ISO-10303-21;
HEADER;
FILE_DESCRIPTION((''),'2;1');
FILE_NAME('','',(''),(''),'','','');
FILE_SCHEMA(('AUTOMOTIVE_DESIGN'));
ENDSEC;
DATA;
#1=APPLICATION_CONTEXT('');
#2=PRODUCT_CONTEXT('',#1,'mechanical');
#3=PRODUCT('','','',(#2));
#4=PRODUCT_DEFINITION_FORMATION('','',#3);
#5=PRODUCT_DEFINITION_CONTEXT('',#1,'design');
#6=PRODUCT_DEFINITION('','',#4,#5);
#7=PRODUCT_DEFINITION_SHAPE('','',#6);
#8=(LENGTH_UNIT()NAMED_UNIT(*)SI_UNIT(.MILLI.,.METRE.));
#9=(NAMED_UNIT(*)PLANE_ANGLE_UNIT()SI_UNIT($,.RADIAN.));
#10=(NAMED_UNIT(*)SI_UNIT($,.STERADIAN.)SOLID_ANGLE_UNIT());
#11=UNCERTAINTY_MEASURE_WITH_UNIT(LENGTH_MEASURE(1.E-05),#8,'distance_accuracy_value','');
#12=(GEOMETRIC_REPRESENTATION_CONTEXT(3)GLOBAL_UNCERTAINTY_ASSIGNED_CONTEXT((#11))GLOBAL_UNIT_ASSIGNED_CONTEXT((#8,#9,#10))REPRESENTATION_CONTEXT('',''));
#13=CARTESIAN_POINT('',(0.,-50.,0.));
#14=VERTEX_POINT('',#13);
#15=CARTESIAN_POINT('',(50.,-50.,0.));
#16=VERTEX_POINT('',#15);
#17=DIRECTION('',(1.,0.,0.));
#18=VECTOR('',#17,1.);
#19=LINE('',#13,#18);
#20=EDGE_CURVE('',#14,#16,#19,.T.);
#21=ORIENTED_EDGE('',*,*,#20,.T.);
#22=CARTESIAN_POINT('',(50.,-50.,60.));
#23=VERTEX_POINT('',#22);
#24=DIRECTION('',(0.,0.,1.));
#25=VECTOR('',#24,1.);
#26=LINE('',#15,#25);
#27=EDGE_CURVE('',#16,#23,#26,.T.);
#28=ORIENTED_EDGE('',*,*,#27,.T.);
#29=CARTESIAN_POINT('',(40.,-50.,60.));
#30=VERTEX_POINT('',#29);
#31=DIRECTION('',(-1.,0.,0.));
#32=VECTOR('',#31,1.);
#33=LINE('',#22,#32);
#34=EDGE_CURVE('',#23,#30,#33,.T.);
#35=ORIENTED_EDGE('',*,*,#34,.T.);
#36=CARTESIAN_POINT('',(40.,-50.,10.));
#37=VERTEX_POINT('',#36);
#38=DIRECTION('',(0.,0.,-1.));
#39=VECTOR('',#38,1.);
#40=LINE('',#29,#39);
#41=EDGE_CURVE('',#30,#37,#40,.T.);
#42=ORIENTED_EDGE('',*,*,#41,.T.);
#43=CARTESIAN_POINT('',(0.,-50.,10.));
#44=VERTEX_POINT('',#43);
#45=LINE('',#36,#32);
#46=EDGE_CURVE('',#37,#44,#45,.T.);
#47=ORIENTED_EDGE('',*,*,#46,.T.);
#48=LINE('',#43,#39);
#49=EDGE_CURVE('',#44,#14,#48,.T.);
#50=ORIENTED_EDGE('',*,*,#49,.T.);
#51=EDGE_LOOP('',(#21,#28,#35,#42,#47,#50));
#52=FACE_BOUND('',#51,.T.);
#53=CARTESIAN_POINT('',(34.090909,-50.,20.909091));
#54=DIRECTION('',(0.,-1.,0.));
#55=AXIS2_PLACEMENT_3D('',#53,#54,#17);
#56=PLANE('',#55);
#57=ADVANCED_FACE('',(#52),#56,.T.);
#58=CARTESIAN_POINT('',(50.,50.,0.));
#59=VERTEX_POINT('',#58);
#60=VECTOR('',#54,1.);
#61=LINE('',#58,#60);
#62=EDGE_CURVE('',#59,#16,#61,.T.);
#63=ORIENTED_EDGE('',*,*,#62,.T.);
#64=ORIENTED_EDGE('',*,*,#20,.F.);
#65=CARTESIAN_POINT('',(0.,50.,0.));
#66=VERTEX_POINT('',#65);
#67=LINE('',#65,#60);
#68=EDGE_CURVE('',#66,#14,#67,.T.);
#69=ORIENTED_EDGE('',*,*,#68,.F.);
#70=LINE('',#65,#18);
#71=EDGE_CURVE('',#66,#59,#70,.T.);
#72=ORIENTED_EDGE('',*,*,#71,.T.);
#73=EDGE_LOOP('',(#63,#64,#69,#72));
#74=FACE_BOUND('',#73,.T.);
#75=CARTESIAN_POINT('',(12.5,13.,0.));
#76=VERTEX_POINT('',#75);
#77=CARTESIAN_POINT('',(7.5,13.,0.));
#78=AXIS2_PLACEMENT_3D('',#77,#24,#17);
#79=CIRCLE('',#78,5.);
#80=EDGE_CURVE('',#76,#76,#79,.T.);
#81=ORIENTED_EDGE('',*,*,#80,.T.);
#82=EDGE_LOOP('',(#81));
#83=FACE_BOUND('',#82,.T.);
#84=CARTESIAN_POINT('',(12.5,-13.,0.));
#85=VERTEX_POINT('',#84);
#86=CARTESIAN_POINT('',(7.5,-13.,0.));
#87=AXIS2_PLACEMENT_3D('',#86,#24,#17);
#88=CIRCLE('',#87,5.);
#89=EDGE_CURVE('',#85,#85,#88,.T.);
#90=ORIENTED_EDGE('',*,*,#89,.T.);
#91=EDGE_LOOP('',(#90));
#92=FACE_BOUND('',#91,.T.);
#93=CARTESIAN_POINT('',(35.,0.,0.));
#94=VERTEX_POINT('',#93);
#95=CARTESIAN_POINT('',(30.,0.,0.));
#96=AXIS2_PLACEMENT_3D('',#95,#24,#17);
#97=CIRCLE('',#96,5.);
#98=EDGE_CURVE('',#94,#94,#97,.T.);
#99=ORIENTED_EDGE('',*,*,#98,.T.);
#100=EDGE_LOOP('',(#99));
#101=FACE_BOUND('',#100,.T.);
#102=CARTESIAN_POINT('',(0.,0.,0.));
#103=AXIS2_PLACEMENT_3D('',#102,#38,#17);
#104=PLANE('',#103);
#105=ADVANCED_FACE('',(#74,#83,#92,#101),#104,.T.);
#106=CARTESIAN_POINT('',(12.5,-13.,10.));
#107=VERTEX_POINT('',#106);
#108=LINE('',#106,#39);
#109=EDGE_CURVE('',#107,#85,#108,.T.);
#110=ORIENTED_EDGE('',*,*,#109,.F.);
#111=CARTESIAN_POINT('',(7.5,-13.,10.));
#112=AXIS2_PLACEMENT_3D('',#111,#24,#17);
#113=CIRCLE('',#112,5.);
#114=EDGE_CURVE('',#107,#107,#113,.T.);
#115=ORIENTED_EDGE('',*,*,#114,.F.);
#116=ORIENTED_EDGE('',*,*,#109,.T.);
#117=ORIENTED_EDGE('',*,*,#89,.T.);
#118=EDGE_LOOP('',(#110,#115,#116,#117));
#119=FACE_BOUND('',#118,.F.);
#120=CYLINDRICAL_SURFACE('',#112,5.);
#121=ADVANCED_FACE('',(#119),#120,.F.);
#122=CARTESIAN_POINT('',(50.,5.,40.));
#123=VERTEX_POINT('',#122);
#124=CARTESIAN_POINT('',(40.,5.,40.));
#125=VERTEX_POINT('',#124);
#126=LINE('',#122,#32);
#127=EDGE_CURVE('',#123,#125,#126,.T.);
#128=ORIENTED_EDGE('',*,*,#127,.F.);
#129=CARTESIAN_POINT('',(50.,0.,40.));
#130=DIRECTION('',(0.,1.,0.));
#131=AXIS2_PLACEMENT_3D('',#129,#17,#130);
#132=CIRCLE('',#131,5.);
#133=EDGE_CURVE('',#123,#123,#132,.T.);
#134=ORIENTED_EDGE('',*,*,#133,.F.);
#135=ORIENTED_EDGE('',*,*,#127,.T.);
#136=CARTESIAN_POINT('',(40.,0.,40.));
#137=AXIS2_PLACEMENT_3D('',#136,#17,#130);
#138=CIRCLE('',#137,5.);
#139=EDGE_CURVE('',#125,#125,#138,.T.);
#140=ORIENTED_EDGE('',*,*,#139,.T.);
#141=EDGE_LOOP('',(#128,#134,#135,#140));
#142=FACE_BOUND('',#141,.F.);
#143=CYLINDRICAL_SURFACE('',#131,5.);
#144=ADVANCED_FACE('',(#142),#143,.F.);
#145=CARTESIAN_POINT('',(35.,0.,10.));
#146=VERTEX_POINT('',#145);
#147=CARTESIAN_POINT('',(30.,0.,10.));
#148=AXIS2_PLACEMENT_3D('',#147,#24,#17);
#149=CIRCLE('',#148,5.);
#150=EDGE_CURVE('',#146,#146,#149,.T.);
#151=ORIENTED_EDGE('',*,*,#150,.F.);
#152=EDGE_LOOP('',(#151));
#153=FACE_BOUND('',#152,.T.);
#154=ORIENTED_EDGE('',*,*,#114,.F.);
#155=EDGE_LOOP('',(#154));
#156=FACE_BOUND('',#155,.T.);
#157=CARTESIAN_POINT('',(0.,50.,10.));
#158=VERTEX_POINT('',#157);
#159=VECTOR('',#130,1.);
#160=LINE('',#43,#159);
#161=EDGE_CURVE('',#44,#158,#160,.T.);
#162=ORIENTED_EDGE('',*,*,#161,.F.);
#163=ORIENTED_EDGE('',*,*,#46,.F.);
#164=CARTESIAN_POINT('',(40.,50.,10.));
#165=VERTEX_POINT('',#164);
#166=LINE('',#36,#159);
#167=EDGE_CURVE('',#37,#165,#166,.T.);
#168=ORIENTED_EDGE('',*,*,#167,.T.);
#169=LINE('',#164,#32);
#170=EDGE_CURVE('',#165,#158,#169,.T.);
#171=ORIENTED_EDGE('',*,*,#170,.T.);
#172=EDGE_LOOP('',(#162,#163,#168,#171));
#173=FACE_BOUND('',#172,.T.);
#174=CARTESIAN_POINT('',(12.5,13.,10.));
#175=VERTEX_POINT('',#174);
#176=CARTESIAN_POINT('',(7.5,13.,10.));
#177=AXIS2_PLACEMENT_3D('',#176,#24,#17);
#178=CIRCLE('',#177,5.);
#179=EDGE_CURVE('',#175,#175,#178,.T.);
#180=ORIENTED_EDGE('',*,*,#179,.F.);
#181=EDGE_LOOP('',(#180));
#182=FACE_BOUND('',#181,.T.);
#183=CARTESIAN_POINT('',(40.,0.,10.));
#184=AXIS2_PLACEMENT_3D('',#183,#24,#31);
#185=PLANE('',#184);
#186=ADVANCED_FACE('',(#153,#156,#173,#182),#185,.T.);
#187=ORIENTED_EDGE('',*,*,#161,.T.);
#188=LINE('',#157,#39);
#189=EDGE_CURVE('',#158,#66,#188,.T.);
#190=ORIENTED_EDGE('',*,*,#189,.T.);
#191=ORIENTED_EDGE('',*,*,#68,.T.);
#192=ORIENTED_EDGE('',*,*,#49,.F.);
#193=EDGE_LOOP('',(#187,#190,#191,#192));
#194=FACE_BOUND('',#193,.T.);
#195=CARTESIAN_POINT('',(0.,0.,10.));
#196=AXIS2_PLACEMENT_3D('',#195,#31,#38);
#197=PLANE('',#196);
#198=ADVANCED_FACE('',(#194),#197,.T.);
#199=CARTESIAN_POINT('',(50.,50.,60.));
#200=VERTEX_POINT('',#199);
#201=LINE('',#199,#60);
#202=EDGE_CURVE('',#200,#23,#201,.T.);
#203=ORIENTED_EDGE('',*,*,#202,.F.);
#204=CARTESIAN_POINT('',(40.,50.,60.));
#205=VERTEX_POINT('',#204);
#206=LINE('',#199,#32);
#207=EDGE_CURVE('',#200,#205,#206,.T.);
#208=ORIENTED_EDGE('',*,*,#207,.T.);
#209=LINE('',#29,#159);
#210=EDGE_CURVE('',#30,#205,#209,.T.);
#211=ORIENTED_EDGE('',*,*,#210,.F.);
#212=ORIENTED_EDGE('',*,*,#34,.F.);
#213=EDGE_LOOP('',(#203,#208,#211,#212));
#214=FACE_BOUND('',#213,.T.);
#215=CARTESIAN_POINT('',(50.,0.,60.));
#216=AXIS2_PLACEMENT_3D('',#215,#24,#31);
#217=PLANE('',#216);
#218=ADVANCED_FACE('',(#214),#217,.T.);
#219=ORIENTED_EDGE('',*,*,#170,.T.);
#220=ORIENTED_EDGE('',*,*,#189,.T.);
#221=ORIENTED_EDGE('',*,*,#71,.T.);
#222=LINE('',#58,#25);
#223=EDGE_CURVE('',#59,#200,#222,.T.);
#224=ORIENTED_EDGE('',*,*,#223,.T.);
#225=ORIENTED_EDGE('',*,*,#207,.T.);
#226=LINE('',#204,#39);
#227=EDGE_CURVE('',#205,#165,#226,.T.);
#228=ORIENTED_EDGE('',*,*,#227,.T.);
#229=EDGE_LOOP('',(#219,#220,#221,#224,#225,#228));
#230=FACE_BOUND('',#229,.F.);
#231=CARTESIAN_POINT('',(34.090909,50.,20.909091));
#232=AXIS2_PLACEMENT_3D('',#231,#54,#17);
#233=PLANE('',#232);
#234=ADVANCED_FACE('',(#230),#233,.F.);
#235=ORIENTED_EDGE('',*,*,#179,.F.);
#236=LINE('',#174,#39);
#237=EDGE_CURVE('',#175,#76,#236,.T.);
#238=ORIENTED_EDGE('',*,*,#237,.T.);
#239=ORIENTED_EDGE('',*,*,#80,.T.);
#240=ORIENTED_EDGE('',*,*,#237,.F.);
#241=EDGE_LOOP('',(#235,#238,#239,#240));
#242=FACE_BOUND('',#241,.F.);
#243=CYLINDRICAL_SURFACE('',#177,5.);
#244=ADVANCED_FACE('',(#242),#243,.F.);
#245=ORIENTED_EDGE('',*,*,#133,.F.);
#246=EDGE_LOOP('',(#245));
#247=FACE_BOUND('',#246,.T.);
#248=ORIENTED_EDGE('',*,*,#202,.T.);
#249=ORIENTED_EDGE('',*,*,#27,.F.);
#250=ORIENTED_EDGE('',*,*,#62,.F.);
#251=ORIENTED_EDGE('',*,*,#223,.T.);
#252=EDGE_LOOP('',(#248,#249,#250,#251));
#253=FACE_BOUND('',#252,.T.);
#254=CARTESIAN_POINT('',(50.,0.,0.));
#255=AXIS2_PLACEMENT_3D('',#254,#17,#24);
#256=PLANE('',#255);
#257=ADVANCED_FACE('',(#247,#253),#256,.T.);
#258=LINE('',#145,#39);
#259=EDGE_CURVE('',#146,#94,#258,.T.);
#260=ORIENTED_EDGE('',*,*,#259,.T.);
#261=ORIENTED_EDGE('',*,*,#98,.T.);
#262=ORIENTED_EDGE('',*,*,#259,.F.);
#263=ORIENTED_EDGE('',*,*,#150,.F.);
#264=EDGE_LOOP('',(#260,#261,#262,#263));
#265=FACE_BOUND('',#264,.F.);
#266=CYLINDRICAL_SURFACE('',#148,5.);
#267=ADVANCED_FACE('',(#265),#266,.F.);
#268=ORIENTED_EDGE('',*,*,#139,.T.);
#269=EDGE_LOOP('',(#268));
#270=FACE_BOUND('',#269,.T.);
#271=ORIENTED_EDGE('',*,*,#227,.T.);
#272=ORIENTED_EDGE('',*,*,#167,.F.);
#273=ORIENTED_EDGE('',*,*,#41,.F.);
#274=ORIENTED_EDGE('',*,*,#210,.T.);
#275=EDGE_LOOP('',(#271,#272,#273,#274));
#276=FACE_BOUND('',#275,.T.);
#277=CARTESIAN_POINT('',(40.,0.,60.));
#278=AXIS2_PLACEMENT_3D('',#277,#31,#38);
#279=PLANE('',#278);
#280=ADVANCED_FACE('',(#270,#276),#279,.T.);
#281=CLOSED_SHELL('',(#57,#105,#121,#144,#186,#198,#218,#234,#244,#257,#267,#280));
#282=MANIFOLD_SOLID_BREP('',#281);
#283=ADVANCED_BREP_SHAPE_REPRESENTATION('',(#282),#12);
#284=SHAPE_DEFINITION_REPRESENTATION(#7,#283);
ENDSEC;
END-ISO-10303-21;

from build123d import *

# Parameters (mm, degrees)
F1_DEPTH = 50
F2_R     = 5
F3_DEPTH = 10
F4_R     = 5
F5_DEPTH = 10


with BuildPart() as f1:
    # F0 (on Front) → F1 (new body, symmetric)
    with BuildSketch(Plane.XZ):
        Polygon((0, 10), (0, 0), (50, 0), (50, 60), (40, 60), (40, 10), align=None)
    extrude(amount=F1_DEPTH, both=True)

    # F2 (on face) → F3 (cut, through all)
    with BuildSketch(Plane.YZ.offset(50)):
        with Locations((0, 40)):
            Circle(F2_R)
    extrude(amount=-F3_DEPTH, mode=Mode.SUBTRACT)

    # F4 (on face) → F5 (cut, through all)
    with BuildSketch(Plane.XY.offset(10)):
        with Locations((30, 0)):
            Circle(F4_R)
        with Locations((7.5, 13)):
            Circle(F4_R)
        with Locations((7.5, -13)):
            Circle(F4_R)
    extrude(amount=-F5_DEPTH, mode=Mode.SUBTRACT)


solid = f1.part
